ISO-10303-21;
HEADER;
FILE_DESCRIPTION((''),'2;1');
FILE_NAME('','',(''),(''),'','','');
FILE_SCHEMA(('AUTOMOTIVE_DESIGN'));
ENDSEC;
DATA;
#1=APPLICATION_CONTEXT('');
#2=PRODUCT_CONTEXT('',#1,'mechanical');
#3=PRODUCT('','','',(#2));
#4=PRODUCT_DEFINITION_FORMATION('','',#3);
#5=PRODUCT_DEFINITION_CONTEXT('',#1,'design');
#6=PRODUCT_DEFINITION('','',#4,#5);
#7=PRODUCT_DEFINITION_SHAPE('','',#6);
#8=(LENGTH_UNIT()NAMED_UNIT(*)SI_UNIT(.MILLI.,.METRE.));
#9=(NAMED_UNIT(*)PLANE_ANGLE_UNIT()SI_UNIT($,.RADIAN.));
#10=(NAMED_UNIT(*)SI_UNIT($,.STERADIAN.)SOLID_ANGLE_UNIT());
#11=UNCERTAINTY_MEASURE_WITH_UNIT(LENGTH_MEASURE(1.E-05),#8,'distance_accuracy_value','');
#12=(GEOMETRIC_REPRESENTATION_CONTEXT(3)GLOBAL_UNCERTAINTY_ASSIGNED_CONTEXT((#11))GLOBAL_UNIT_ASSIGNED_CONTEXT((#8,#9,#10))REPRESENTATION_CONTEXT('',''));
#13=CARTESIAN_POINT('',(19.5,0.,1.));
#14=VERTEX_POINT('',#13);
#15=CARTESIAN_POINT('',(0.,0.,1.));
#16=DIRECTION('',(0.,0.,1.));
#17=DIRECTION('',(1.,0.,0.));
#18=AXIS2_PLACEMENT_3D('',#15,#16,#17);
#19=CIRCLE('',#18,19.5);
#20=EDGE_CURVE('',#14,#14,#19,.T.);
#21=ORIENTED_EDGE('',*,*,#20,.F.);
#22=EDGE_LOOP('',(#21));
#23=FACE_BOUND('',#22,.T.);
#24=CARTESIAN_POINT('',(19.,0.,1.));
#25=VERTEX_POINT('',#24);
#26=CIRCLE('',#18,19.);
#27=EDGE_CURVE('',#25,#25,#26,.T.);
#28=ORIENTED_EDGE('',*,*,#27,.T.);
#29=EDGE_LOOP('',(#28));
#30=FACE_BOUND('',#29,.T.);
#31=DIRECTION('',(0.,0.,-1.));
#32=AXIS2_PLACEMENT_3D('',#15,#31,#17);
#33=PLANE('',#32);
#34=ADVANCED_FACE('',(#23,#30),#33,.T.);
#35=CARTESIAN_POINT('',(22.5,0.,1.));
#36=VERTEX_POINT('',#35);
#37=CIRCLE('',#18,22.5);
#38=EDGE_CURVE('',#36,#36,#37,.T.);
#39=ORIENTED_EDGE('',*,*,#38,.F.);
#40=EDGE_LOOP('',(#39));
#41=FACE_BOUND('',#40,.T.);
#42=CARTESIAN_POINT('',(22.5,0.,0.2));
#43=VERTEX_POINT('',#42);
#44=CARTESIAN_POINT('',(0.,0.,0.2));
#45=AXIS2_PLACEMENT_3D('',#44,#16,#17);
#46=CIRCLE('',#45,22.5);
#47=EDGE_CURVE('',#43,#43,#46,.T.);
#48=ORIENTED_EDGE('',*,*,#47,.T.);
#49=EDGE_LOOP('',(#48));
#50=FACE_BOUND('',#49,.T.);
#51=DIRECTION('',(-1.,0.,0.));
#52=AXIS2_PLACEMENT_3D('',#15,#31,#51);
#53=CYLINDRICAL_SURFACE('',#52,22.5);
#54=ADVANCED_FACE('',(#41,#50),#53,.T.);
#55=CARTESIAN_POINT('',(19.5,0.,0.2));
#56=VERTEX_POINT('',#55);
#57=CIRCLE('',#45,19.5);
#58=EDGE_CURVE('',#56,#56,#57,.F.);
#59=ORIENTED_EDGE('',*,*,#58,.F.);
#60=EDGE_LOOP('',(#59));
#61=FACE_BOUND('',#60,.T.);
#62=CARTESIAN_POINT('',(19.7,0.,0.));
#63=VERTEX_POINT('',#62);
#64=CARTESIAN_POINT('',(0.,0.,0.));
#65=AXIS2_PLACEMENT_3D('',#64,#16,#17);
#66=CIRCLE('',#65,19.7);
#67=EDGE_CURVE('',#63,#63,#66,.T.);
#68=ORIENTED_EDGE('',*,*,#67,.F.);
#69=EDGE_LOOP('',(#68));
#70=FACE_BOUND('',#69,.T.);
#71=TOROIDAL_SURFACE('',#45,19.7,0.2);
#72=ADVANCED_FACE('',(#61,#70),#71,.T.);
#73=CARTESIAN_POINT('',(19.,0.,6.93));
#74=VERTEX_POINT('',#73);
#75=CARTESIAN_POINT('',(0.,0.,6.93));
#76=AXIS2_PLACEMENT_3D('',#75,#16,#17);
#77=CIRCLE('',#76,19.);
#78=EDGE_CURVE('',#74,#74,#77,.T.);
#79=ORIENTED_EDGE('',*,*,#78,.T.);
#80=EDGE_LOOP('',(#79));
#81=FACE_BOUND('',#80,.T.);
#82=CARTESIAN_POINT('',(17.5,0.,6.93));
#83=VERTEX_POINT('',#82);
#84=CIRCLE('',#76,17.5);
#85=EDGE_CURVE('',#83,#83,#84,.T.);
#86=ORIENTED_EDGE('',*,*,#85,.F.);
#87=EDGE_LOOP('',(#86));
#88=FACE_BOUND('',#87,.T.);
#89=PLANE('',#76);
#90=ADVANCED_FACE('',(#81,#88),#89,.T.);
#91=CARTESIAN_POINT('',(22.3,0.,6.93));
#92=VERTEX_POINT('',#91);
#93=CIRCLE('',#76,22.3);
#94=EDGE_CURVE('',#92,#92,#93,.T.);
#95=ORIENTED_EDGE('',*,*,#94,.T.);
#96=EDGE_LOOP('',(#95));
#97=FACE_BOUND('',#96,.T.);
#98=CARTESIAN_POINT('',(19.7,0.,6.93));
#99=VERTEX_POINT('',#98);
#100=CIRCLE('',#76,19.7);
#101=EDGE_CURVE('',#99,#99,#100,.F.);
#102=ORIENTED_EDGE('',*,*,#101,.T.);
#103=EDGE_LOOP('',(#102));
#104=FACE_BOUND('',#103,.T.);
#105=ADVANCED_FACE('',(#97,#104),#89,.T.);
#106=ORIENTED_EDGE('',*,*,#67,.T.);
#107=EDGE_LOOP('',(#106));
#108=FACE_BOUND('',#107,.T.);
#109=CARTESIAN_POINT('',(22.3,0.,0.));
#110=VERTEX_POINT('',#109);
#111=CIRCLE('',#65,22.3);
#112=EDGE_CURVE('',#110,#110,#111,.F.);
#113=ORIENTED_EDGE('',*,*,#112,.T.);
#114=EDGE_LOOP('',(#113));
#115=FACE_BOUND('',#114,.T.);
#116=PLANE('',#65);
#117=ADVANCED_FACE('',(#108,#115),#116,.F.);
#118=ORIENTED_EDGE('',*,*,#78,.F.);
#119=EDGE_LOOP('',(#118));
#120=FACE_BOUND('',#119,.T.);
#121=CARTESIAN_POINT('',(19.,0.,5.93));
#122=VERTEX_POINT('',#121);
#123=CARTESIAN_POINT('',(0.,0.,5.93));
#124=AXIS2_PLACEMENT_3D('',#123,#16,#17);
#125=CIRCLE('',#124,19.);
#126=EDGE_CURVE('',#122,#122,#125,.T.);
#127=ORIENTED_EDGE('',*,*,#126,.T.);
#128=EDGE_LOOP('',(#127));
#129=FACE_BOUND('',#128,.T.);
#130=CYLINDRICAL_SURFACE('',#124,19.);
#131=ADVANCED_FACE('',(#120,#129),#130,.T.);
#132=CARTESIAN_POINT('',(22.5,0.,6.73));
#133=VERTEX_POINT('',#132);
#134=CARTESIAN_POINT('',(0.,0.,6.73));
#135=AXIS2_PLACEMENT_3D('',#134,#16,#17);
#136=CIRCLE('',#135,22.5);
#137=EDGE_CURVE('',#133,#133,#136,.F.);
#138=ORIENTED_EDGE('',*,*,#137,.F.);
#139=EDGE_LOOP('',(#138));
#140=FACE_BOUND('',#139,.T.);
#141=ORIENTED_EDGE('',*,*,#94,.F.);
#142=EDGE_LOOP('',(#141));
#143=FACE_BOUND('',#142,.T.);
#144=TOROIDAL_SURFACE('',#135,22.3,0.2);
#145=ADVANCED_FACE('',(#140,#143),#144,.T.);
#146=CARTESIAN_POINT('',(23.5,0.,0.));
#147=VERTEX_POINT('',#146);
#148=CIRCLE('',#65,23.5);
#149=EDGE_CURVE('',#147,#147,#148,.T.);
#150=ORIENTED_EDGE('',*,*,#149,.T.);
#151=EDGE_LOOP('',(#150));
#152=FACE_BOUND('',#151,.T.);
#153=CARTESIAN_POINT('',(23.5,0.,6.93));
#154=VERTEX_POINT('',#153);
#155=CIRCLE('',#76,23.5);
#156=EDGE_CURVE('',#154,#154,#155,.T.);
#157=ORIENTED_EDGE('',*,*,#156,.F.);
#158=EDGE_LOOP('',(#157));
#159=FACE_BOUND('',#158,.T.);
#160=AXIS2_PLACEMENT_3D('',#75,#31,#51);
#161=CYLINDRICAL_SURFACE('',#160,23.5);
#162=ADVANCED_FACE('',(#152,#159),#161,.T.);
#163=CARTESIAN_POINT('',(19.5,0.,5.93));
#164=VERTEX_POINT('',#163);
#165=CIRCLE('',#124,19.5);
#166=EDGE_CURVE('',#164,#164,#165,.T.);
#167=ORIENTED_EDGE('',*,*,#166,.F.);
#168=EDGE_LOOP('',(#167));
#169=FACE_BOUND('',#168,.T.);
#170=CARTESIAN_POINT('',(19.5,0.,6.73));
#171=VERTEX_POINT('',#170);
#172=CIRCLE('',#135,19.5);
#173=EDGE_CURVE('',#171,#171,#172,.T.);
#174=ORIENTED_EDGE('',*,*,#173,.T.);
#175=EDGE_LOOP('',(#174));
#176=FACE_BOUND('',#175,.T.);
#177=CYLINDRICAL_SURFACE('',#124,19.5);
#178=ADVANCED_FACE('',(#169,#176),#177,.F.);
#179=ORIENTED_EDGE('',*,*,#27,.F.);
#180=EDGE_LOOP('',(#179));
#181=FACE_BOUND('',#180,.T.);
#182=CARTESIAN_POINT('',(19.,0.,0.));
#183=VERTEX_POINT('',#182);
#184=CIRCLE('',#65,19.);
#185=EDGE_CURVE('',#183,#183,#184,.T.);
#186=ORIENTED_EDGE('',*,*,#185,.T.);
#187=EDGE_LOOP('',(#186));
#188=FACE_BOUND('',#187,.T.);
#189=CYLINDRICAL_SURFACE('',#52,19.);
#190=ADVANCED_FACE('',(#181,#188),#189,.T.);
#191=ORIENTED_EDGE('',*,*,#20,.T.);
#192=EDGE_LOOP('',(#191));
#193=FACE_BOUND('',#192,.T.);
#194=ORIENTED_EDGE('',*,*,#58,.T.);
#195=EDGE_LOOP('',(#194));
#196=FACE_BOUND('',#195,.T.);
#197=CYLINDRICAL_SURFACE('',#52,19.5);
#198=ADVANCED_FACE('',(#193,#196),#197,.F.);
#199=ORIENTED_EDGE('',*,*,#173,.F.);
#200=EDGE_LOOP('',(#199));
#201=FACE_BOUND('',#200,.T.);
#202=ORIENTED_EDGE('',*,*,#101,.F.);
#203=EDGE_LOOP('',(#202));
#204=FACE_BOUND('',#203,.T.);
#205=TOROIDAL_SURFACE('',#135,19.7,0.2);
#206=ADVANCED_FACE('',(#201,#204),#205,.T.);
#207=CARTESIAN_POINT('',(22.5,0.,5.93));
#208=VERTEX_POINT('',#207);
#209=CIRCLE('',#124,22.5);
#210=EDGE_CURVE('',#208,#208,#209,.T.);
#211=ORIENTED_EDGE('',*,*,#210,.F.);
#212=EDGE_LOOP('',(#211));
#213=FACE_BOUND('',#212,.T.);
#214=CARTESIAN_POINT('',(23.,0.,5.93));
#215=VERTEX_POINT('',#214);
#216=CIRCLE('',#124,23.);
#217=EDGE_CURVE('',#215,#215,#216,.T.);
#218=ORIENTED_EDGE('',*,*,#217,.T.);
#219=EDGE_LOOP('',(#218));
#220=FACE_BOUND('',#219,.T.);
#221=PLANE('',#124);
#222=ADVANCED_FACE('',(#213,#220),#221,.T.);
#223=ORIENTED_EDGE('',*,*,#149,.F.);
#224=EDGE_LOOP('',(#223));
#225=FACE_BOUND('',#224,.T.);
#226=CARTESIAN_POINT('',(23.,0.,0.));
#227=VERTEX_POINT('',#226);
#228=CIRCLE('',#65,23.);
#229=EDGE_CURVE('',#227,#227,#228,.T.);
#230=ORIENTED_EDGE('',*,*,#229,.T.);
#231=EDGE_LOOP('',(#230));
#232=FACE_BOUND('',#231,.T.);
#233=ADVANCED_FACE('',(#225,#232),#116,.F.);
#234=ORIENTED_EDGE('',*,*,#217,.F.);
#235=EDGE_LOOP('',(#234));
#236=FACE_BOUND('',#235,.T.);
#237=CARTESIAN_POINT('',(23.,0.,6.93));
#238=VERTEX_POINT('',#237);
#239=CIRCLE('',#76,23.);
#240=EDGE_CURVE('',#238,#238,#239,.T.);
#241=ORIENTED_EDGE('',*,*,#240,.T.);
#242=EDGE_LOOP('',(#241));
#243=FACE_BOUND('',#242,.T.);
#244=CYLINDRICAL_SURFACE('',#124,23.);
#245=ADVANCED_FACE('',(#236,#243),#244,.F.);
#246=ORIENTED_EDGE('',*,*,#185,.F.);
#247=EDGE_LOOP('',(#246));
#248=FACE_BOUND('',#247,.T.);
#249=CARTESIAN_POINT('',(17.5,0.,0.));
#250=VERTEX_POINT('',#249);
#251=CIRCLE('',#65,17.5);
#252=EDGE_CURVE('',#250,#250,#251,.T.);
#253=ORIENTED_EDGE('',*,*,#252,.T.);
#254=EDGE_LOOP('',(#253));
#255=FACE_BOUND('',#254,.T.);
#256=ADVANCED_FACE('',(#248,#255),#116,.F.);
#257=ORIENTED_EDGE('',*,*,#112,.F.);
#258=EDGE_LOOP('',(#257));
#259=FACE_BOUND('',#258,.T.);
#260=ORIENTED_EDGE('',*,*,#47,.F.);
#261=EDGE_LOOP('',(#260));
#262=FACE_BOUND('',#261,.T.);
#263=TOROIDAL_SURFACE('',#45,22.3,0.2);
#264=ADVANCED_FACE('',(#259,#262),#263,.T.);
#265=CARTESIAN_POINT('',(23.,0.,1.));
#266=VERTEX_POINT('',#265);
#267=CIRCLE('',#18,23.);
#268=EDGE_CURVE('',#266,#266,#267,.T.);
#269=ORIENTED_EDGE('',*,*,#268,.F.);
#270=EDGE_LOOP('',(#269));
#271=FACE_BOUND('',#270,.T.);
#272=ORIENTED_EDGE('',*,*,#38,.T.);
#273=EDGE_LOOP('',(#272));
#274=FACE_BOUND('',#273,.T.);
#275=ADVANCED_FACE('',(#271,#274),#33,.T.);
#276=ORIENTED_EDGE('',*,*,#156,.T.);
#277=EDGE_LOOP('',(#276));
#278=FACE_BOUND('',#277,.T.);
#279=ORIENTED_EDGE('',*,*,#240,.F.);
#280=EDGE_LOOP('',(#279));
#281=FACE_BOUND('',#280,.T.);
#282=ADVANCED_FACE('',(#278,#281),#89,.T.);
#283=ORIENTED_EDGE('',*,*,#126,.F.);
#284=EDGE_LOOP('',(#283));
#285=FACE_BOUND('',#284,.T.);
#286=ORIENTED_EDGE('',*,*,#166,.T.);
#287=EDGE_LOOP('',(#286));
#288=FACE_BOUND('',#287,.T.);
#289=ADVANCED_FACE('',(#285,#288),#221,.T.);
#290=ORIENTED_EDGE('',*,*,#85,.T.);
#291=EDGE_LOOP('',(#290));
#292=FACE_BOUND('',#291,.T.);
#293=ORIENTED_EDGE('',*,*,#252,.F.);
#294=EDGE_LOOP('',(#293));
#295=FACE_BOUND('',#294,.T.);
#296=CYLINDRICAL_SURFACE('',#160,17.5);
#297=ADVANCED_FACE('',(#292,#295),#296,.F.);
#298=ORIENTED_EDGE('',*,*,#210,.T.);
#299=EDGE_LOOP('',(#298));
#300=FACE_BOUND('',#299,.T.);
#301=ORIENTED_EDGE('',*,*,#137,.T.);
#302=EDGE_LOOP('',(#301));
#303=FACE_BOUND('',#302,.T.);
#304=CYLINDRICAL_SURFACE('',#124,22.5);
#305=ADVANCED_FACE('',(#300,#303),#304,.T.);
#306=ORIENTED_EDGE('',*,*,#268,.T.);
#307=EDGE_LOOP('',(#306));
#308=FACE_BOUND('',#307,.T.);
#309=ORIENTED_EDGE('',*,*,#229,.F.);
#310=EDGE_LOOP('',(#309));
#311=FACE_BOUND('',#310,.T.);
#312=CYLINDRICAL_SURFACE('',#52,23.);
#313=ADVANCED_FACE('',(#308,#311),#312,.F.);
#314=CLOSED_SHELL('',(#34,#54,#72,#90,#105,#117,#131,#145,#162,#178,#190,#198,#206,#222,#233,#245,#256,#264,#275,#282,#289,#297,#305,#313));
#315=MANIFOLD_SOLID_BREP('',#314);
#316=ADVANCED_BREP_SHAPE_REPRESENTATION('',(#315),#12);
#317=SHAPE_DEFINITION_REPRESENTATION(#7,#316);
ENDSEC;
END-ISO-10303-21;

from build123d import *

# Parameters (mm, degrees)
SKETCH1_R           = 23.5
SKETCH1_R_2         = 17.5
BOSS_EXTRUDE1_DEPTH = 6.93
SKETCH2_R           = 23
SKETCH2_R_2         = 22.5
CUT_EXTRUDE1_DEPTH  = 1
SKETCH3_R           = 19.5
SKETCH3_R_2         = 19
CUT_EXTRUDE2_DEPTH  = 1
FILLET1_R           = 0.2


with BuildPart() as part:
    # Sketch1 → Boss-Extrude1 (new body)
    with BuildSketch(Plane.XY):
        Circle(SKETCH1_R)
        Circle(SKETCH1_R_2, mode=Mode.SUBTRACT)
    extrude(amount=BOSS_EXTRUDE1_DEPTH)

    # Sketch2 → Cut-Extrude1 (cut)
    with BuildSketch(Plane.XY.offset(6.93)):
        Circle(SKETCH2_R)
        Circle(SKETCH2_R_2, mode=Mode.SUBTRACT)
    cut_extrude1 = extrude(amount=-CUT_EXTRUDE1_DEPTH, mode=Mode.SUBTRACT)

    # Sketch3 → Cut-Extrude2 (cut)
    with BuildSketch(Plane.XY.offset(6.93)):
        Circle(SKETCH3_R)
        Circle(SKETCH3_R_2, mode=Mode.SUBTRACT)
    cut_extrude2 = extrude(amount=-CUT_EXTRUDE2_DEPTH, mode=Mode.SUBTRACT)

    # Mirror1: Cut-Extrude1, Cut-Extrude2 across plane
    add(cut_extrude1.mirror(Plane.XY.offset(3.465)), mode=Mode.SUBTRACT)
    add(cut_extrude2.mirror(Plane.XY.offset(3.465)), mode=Mode.SUBTRACT)

    # Fillet1
    fillet1_edges = [part.edges().sort_by_distance(p)[0] for p in [
        (-22.5, 0, 6.93),
        (-19.5, 0, 6.93),
        (-22.5, 0, 0),
        (-19.5, 0, 0),
    ]]
    fillet(fillet1_edges, radius=FILLET1_R)


solid = part.part
